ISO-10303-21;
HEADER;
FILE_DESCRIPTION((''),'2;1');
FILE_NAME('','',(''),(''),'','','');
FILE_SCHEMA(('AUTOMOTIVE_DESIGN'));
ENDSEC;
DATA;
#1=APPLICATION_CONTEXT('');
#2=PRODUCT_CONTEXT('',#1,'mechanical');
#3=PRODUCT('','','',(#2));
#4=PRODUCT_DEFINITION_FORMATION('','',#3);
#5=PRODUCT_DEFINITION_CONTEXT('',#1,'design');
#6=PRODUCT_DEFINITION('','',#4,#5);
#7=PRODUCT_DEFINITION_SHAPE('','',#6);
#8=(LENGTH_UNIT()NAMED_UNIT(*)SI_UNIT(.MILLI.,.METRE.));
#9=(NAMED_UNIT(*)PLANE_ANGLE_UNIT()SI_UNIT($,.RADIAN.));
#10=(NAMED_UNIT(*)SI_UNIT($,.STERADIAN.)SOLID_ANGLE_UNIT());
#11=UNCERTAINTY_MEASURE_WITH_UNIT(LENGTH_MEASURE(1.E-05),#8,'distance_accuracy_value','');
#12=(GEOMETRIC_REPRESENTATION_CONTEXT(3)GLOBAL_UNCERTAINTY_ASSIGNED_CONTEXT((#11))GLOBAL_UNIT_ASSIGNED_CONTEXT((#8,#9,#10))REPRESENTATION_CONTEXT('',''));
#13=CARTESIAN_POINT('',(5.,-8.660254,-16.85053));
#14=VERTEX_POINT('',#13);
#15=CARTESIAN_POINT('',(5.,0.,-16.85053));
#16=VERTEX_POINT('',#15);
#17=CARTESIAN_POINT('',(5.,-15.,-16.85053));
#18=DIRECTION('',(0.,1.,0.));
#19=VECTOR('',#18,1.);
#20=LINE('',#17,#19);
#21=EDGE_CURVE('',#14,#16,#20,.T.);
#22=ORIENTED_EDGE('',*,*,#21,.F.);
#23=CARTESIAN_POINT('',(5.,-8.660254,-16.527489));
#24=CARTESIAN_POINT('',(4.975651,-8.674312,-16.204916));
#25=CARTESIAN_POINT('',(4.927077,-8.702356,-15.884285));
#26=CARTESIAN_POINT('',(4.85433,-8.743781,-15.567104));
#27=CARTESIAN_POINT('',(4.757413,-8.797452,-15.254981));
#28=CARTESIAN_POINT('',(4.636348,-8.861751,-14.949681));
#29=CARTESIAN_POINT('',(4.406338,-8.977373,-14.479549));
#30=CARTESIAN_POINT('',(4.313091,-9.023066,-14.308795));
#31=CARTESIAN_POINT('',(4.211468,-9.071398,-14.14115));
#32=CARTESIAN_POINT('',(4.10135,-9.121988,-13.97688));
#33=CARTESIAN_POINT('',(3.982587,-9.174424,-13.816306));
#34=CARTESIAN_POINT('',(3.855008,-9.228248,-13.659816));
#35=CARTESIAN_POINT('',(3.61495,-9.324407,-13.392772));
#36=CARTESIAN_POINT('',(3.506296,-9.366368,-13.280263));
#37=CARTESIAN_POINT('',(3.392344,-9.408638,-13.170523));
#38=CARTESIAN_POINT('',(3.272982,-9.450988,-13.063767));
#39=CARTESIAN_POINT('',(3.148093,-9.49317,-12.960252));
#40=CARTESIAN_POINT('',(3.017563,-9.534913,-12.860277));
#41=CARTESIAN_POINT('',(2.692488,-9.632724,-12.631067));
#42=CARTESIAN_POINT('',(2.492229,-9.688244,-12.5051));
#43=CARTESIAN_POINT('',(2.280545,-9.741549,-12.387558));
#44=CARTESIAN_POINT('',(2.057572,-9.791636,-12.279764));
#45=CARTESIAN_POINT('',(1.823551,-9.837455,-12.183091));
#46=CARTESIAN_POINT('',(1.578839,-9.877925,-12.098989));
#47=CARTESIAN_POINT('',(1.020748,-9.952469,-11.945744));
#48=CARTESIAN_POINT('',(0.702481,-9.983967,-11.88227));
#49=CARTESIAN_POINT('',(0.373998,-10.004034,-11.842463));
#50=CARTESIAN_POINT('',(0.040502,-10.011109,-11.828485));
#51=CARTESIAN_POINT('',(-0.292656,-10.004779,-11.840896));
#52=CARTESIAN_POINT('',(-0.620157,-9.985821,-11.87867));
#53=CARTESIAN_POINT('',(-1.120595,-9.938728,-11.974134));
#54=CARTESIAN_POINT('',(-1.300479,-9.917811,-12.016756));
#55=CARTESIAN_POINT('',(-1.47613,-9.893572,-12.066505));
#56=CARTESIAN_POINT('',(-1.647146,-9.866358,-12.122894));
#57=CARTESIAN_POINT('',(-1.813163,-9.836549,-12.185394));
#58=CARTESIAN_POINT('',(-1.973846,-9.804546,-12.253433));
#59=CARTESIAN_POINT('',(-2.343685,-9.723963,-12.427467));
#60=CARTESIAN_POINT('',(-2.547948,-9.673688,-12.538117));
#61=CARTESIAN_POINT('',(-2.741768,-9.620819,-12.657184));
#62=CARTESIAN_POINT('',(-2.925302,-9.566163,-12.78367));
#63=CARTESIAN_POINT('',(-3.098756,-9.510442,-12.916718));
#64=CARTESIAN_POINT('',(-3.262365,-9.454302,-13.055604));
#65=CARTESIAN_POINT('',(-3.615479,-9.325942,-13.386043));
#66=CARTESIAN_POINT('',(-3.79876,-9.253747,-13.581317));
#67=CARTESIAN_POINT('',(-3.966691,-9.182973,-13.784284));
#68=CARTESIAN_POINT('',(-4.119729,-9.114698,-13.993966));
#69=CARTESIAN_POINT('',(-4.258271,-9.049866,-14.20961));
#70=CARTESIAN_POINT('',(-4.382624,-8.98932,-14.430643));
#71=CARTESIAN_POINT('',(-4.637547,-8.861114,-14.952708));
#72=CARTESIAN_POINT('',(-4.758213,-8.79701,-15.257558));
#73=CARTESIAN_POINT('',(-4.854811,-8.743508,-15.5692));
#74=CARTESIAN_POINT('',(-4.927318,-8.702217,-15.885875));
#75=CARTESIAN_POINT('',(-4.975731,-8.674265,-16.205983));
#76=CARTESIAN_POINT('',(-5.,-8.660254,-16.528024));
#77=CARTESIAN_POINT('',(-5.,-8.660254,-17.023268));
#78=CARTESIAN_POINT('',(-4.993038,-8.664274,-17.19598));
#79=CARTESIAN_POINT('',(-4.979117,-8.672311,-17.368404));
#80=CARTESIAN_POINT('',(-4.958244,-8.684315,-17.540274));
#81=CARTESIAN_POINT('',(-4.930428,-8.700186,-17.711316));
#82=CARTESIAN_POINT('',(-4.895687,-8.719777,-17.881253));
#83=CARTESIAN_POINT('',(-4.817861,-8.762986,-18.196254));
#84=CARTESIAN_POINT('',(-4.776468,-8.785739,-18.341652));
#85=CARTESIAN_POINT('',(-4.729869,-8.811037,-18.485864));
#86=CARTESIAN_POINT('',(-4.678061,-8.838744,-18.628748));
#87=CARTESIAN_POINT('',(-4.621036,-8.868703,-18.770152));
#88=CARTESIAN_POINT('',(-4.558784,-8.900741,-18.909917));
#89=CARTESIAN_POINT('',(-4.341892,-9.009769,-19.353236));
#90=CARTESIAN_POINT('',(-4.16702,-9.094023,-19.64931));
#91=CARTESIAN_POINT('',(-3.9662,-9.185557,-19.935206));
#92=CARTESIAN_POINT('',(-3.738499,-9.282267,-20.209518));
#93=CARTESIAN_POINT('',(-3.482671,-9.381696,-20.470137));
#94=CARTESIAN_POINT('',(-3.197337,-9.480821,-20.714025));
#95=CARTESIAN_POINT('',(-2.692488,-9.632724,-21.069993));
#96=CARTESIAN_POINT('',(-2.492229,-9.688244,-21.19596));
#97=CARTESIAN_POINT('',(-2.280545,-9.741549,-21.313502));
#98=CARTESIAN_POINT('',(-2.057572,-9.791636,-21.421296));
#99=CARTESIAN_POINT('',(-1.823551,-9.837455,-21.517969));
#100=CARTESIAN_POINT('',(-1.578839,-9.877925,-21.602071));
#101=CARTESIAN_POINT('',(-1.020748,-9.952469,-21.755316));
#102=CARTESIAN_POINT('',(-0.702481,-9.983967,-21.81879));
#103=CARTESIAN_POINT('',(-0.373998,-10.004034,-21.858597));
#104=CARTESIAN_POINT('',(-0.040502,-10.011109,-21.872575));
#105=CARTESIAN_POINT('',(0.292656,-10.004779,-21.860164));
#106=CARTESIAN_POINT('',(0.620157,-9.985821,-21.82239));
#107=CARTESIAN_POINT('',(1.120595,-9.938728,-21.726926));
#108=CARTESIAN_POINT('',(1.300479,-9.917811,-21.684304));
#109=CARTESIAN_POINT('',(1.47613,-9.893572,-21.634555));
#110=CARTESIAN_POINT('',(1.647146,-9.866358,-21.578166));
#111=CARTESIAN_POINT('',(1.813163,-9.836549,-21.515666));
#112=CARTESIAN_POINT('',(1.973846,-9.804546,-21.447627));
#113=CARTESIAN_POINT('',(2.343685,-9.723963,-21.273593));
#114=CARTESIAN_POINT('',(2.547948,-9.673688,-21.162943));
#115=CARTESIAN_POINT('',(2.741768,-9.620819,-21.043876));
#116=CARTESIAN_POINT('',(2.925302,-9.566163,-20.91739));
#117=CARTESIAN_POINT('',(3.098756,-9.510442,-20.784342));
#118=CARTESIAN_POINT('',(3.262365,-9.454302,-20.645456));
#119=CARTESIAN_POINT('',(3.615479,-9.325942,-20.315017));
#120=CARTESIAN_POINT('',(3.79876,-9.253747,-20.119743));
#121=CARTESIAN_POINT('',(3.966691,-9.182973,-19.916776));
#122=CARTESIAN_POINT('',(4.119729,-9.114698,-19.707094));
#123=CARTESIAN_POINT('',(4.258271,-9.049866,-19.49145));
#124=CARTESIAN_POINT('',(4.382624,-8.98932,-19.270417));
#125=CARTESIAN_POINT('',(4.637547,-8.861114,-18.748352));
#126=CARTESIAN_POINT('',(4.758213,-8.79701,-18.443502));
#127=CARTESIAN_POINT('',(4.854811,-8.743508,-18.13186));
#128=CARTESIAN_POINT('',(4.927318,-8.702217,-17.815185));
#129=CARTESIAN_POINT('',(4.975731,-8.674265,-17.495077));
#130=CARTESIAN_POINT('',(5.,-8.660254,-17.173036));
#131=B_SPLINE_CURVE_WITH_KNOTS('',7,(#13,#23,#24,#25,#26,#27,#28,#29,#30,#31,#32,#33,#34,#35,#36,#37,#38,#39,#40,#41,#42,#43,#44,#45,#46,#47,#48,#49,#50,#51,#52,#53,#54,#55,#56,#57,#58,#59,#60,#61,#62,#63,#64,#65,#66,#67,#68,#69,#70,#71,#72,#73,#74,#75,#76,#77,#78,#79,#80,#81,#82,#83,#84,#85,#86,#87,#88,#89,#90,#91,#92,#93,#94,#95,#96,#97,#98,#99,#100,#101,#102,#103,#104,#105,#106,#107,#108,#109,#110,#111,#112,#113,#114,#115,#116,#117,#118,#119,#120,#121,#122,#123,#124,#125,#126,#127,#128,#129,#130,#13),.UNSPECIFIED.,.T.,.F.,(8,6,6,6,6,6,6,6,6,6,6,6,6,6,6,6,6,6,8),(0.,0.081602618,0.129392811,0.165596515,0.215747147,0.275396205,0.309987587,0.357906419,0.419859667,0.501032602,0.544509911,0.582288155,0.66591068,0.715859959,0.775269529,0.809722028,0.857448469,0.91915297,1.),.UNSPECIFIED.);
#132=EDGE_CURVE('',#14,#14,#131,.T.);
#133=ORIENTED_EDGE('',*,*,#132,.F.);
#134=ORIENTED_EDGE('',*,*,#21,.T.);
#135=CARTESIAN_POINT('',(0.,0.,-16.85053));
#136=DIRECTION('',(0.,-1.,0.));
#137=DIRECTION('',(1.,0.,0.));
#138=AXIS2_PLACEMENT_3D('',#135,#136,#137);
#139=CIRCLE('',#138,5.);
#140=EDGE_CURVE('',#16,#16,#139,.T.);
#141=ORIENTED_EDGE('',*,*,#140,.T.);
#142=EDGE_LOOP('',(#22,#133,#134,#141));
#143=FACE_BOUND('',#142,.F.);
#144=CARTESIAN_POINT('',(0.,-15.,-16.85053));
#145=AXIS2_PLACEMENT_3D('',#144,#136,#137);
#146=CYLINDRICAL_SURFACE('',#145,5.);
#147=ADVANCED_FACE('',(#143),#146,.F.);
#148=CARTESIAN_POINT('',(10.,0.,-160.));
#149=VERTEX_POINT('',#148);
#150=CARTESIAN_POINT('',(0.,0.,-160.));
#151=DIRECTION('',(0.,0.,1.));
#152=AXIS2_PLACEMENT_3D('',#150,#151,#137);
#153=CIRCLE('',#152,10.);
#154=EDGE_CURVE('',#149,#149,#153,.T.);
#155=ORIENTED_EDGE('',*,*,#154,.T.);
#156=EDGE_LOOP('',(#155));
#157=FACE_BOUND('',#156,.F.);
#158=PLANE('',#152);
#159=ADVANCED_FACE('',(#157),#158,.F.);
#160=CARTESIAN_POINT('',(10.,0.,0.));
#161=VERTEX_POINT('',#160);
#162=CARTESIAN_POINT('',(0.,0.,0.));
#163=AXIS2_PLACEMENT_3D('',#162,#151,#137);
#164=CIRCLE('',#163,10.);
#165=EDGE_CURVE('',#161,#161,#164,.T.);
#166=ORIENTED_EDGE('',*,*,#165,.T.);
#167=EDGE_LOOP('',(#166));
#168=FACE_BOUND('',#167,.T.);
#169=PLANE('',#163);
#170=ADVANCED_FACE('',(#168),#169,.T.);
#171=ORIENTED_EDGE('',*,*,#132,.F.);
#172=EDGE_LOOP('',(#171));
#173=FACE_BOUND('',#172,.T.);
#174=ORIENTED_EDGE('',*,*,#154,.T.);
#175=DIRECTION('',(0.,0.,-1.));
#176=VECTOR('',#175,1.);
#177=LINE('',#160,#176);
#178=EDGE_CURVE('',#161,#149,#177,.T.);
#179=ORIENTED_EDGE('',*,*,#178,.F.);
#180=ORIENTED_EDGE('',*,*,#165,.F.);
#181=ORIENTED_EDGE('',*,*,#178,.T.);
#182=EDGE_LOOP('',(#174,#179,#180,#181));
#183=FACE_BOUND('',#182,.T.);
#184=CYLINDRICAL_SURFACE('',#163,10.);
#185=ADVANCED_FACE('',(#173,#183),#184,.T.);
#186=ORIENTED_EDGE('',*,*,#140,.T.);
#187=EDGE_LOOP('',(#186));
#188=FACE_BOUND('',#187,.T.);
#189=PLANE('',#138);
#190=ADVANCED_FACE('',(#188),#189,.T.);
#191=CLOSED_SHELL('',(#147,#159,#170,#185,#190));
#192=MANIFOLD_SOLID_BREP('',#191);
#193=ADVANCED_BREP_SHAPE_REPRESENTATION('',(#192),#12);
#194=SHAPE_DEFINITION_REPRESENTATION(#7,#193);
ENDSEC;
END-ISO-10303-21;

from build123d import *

# Parameters (mm, degrees)
F0_R     = 10
F1_DEPTH = 160
F3_R     = 5
F4_DEPTH = 15


with BuildPart() as f1:
    # F0 (on Top) → F1 (new body)
    with BuildSketch(Plane.XY):
        Circle(F0_R)
    extrude(amount=-F1_DEPTH)

    # F3 (on offset) → F4 (cut)
    with BuildSketch(Plane.XZ.offset(15)):
        with Locations((0, -16.85053)):
            Circle(F3_R)
    extrude(amount=-F4_DEPTH, mode=Mode.SUBTRACT)


solid = f1.part
